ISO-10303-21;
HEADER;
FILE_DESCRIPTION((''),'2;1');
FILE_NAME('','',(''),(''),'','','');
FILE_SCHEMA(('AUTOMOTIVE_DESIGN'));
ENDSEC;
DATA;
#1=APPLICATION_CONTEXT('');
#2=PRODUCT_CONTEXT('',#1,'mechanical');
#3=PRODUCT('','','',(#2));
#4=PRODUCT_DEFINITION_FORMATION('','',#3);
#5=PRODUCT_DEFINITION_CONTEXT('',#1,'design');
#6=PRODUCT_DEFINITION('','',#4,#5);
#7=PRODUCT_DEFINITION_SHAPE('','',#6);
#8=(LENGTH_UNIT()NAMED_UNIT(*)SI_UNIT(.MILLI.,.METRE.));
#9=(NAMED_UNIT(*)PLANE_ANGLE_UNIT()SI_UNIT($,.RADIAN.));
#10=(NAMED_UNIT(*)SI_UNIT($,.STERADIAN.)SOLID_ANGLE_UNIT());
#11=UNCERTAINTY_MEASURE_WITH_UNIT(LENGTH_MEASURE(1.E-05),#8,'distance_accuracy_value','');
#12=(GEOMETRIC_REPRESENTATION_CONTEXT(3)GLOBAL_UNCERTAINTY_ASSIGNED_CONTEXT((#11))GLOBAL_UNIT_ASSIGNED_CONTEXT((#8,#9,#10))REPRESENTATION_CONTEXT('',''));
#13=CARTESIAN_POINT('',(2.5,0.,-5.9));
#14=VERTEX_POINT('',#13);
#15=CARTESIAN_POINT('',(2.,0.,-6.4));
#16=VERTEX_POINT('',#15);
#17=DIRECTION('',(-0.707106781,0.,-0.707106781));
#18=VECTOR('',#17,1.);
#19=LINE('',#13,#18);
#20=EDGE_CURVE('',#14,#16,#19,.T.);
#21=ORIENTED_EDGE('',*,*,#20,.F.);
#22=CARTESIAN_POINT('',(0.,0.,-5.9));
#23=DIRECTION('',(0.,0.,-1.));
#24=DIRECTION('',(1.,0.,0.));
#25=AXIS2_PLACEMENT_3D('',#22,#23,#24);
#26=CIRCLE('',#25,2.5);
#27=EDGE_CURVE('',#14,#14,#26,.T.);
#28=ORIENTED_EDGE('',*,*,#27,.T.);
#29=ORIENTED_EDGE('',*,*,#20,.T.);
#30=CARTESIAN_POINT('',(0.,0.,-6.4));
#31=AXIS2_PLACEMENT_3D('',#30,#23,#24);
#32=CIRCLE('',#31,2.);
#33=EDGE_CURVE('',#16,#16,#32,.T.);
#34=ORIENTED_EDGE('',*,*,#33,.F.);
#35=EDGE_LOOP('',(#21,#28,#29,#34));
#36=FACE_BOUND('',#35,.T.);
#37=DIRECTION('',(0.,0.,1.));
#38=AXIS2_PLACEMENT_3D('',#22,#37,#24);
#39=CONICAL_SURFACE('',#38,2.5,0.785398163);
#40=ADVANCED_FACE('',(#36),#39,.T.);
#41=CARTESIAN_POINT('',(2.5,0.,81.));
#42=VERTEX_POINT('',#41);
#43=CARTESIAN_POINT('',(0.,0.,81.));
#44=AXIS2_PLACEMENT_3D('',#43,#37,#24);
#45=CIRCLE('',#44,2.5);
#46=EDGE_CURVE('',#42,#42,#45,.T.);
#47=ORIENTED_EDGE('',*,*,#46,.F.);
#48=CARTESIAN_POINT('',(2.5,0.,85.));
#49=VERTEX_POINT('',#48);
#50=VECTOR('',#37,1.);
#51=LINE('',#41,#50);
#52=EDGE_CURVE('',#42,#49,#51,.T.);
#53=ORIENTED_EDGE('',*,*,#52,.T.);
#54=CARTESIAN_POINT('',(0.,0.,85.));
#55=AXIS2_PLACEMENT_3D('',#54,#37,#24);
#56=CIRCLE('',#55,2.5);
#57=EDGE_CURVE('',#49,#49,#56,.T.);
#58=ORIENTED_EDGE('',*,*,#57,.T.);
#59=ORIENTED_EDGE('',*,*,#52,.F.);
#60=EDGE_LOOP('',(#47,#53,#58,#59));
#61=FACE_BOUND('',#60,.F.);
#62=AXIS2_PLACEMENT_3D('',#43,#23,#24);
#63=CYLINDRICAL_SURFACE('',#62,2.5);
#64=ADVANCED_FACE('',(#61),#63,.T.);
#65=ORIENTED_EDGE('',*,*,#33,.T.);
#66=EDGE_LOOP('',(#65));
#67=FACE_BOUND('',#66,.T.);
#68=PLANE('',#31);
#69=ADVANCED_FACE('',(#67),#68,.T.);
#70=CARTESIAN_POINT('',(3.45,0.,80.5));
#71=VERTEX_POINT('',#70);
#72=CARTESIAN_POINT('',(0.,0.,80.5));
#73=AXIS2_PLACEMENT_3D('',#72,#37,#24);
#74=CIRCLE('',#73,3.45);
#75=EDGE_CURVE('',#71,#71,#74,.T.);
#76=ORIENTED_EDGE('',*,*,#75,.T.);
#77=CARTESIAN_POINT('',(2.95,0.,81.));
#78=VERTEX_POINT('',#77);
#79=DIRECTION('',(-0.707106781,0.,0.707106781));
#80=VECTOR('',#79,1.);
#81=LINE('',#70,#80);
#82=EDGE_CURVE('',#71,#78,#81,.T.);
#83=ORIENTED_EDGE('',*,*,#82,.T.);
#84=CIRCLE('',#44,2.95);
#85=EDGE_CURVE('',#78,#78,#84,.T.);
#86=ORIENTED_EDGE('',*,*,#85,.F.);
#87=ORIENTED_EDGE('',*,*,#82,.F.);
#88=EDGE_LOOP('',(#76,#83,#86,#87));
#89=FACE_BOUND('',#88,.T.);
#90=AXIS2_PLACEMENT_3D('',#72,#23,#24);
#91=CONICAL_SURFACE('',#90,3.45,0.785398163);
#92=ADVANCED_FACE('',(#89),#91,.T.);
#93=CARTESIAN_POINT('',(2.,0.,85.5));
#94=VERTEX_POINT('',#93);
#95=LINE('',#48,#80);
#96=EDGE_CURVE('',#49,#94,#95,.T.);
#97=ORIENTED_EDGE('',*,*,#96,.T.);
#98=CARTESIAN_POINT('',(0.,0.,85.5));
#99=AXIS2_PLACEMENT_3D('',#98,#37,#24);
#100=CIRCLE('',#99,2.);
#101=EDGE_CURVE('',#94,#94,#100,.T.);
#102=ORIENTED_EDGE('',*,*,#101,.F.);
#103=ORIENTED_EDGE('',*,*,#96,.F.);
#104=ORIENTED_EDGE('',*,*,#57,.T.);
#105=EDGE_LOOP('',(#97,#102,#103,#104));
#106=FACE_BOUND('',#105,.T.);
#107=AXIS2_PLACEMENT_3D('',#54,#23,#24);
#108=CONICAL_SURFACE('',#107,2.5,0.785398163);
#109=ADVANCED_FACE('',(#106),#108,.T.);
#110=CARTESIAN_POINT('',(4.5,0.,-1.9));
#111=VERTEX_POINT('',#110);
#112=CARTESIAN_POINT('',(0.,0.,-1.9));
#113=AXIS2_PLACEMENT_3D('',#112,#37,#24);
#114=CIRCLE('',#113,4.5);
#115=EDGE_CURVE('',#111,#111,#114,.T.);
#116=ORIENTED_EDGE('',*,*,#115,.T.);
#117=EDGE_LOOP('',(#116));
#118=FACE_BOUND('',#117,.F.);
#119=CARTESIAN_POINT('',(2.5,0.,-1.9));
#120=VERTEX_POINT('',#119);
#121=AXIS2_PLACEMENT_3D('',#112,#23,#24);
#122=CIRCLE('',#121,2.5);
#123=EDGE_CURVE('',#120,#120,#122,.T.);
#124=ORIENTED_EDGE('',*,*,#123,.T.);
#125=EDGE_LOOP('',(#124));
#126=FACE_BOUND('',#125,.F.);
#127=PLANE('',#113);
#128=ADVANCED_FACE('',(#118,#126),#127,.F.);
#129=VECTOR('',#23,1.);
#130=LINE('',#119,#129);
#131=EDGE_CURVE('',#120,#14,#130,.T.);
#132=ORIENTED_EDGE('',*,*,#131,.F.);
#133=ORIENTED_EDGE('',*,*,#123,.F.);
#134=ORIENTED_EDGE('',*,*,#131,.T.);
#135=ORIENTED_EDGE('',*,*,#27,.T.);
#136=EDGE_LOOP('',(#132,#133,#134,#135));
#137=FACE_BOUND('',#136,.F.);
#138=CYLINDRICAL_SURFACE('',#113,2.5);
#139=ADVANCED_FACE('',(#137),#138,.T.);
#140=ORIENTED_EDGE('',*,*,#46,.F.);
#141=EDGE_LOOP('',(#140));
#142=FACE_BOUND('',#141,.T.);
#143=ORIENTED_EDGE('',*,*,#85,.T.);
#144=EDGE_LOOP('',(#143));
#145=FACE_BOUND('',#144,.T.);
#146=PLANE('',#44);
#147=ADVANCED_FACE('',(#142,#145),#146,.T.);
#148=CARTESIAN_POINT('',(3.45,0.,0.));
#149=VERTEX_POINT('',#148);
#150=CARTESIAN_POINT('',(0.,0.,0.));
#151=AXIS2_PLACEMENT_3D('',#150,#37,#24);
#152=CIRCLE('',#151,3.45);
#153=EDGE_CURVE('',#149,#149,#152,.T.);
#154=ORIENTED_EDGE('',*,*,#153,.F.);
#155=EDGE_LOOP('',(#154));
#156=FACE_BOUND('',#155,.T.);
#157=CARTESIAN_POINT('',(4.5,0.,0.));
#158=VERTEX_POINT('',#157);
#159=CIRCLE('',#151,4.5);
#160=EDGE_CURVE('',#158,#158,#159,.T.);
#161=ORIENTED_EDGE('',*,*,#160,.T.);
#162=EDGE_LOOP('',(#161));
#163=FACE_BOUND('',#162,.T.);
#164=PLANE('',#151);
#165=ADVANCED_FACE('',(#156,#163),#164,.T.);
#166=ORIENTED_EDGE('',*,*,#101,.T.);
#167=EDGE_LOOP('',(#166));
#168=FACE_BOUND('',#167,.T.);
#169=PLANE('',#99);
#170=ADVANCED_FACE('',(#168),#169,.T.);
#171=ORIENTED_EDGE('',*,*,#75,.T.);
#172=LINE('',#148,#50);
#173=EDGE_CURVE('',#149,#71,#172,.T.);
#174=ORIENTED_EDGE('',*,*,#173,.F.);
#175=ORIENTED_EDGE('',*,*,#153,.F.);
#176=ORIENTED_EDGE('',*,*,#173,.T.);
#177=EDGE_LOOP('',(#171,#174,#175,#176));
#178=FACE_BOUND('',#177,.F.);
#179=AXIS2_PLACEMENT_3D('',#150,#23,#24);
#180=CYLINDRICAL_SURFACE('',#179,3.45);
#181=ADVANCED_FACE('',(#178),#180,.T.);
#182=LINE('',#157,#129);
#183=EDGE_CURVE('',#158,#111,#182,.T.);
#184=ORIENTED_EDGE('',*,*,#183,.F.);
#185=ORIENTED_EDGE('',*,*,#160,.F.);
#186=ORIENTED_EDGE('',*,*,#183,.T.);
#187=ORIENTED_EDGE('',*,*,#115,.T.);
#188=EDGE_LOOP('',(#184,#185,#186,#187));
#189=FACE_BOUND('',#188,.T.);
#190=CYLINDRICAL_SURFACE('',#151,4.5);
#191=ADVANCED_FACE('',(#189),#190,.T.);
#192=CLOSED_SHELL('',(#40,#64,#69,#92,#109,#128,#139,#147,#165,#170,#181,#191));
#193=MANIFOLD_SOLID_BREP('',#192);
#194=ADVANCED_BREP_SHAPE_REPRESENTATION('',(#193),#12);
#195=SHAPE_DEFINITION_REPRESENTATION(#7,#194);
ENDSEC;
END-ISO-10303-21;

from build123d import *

# Parameters (mm, degrees)
F0_R     = 3.45
F1_DEPTH = 81
F2_R     = 2.5
F3_DEPTH = 4.5
F0_R_2   = 4.5
F4_DEPTH = 1.9
F5_R     = 2.5
F6_DEPTH = 4.5
F7_SIZE  = 0.5


with BuildPart() as f1:
    # F0 (on Top) → F1 (new body)
    with BuildSketch(Plane.XY):
        Circle(F0_R)
    extrude(amount=F1_DEPTH)

    # F2 (on face) → F3 (join)
    with BuildSketch(Plane.XY.offset(81)):
        Circle(F2_R)
    extrude(amount=F3_DEPTH)

    # F0 (on Top) → F4 (join)
    with BuildSketch(Plane.XY):
        Circle(F0_R_2)
        Circle(F0_R, mode=Mode.SUBTRACT)
        Circle(F0_R)
    extrude(amount=-F4_DEPTH)

    # F5 (on face) → F6 (join)
    with BuildSketch(Plane(origin=(0, 0, -1.9), x_dir=(1, 0, 0), z_dir=(0, 0, -1))):
        Circle(F5_R)
    extrude(amount=F6_DEPTH)

    # F7
    f7_edges = [f1.edges().sort_by_distance(p)[0] for p in [
        (-2.5, 0, 85.5),
        (-3.45, 0, 81),
        (-2.5, 0, -6.4),
    ]]
    chamfer(f7_edges, length=F7_SIZE)


solid = f1.part
